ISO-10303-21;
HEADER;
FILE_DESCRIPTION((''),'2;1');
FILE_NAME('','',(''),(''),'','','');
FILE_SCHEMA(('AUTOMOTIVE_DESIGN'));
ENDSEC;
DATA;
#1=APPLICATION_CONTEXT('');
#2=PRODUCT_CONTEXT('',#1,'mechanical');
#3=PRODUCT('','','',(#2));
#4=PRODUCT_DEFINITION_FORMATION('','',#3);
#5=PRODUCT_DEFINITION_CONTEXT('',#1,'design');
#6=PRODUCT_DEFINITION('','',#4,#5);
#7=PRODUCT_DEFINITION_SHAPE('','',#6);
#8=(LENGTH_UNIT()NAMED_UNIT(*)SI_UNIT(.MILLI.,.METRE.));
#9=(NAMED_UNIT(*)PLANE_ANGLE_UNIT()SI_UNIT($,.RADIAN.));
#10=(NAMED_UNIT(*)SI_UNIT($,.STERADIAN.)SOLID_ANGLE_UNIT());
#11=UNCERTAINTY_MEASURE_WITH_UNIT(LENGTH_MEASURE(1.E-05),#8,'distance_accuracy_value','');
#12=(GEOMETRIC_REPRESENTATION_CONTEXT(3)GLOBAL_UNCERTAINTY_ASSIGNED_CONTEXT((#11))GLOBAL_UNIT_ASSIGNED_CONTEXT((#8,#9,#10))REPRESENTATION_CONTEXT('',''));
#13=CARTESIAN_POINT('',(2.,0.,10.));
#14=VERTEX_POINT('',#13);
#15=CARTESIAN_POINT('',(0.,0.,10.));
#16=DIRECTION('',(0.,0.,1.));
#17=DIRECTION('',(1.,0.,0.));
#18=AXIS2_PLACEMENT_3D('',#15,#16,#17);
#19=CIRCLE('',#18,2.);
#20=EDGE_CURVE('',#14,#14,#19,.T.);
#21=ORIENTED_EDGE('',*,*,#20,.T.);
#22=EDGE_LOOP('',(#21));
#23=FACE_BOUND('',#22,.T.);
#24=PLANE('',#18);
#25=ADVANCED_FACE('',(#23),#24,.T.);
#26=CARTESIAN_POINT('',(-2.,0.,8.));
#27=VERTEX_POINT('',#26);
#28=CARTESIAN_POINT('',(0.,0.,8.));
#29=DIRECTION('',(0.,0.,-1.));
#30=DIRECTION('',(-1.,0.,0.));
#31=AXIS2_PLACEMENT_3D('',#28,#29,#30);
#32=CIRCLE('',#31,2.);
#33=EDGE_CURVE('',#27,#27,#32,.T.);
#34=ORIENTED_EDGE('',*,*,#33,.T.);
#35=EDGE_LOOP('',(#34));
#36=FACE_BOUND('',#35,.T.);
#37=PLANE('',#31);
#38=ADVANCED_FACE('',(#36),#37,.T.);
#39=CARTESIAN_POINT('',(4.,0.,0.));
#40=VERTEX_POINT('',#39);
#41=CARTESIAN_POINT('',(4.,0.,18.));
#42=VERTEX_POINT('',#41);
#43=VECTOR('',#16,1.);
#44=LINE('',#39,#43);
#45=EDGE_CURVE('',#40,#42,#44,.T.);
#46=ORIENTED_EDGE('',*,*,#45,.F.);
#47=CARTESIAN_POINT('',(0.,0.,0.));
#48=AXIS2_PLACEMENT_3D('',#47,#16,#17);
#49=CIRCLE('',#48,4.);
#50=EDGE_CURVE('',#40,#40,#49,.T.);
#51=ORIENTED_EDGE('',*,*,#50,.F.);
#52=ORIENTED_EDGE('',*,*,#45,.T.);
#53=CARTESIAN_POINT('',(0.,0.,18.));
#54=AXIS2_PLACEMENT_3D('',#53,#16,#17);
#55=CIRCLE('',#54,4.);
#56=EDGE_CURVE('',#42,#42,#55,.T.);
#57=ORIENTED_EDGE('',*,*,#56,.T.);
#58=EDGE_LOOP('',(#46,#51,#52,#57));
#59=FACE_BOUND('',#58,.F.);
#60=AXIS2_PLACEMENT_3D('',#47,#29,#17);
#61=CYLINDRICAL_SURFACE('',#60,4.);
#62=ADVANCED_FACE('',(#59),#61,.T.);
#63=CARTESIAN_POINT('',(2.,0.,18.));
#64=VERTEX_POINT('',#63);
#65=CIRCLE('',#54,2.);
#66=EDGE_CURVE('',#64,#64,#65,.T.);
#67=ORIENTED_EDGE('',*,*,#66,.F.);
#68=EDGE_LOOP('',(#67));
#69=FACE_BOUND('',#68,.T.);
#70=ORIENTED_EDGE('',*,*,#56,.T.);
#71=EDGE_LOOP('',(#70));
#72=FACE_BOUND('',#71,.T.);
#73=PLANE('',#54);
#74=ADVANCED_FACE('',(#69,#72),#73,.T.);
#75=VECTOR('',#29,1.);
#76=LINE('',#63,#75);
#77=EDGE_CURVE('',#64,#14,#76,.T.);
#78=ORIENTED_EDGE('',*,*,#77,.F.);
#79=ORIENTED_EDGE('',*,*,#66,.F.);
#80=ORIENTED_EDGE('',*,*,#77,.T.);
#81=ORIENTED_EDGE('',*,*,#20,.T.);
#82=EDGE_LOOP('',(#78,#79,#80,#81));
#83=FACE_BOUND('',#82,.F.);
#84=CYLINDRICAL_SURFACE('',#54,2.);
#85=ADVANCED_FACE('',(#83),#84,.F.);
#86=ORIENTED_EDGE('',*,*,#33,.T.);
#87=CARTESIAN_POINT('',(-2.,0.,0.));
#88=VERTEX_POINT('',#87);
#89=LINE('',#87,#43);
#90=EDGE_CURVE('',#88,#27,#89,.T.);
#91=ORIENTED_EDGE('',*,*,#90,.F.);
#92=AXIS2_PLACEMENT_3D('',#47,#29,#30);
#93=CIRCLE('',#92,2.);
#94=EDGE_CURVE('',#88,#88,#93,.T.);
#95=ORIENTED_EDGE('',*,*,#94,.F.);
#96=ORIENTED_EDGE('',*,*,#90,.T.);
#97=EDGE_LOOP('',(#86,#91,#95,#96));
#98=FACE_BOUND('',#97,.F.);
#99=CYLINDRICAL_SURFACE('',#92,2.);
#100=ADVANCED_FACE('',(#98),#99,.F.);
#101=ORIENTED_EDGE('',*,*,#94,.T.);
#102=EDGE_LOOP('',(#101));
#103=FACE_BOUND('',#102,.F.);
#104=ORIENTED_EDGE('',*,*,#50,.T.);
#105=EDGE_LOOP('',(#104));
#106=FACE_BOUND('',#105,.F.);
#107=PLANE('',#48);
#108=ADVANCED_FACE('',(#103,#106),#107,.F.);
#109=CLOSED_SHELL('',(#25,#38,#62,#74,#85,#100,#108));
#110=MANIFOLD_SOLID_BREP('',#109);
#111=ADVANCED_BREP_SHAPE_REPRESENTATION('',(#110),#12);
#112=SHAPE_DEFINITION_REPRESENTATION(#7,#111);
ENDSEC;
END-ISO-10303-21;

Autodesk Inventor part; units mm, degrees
ref_plane "YZ Plane" through (0, 0, 0) normal (1, 0, 0) x (0, 1, 0)
ref_plane "XZ Plane" through (0, 0, 0) normal (0, 1, 0) x (-1, 0, 0)
ref_plane "XY Plane" through (0, 0, 0) normal (0, 0, 1) x (1, 0, 0)
sketch "スケッチ1" plane through (0, 0, 0) normal (0, 0, 1) x (1, 0, 0)
  circle A0 centre (0, 0) radius 4
  dimension "d1" = 8
extrude "押し出し2" add sketch "スケッチ1" along normal blind 18
sketch "スケッチ2" plane through (0, 0, 0) normal (0, 0, -1) x (-1, 0, 0)
  circle A0 centre (0, 0) radius 2
  dimension "d6" = 4
extrude "押し出し3" cut sketch "スケッチ2" against normal blind 8
sketch "スケッチ3" plane through (0, 0, 18) normal (0, 0, 1) x (1, 0, 0)
  circle A0 centre (0, 0) radius 2
  dimension "d9" = 4
extrude "押し出し4" cut sketch "スケッチ3" against normal blind 8
properties part number "M4アルミスペーサー20" material "アルミニウム 7075"
